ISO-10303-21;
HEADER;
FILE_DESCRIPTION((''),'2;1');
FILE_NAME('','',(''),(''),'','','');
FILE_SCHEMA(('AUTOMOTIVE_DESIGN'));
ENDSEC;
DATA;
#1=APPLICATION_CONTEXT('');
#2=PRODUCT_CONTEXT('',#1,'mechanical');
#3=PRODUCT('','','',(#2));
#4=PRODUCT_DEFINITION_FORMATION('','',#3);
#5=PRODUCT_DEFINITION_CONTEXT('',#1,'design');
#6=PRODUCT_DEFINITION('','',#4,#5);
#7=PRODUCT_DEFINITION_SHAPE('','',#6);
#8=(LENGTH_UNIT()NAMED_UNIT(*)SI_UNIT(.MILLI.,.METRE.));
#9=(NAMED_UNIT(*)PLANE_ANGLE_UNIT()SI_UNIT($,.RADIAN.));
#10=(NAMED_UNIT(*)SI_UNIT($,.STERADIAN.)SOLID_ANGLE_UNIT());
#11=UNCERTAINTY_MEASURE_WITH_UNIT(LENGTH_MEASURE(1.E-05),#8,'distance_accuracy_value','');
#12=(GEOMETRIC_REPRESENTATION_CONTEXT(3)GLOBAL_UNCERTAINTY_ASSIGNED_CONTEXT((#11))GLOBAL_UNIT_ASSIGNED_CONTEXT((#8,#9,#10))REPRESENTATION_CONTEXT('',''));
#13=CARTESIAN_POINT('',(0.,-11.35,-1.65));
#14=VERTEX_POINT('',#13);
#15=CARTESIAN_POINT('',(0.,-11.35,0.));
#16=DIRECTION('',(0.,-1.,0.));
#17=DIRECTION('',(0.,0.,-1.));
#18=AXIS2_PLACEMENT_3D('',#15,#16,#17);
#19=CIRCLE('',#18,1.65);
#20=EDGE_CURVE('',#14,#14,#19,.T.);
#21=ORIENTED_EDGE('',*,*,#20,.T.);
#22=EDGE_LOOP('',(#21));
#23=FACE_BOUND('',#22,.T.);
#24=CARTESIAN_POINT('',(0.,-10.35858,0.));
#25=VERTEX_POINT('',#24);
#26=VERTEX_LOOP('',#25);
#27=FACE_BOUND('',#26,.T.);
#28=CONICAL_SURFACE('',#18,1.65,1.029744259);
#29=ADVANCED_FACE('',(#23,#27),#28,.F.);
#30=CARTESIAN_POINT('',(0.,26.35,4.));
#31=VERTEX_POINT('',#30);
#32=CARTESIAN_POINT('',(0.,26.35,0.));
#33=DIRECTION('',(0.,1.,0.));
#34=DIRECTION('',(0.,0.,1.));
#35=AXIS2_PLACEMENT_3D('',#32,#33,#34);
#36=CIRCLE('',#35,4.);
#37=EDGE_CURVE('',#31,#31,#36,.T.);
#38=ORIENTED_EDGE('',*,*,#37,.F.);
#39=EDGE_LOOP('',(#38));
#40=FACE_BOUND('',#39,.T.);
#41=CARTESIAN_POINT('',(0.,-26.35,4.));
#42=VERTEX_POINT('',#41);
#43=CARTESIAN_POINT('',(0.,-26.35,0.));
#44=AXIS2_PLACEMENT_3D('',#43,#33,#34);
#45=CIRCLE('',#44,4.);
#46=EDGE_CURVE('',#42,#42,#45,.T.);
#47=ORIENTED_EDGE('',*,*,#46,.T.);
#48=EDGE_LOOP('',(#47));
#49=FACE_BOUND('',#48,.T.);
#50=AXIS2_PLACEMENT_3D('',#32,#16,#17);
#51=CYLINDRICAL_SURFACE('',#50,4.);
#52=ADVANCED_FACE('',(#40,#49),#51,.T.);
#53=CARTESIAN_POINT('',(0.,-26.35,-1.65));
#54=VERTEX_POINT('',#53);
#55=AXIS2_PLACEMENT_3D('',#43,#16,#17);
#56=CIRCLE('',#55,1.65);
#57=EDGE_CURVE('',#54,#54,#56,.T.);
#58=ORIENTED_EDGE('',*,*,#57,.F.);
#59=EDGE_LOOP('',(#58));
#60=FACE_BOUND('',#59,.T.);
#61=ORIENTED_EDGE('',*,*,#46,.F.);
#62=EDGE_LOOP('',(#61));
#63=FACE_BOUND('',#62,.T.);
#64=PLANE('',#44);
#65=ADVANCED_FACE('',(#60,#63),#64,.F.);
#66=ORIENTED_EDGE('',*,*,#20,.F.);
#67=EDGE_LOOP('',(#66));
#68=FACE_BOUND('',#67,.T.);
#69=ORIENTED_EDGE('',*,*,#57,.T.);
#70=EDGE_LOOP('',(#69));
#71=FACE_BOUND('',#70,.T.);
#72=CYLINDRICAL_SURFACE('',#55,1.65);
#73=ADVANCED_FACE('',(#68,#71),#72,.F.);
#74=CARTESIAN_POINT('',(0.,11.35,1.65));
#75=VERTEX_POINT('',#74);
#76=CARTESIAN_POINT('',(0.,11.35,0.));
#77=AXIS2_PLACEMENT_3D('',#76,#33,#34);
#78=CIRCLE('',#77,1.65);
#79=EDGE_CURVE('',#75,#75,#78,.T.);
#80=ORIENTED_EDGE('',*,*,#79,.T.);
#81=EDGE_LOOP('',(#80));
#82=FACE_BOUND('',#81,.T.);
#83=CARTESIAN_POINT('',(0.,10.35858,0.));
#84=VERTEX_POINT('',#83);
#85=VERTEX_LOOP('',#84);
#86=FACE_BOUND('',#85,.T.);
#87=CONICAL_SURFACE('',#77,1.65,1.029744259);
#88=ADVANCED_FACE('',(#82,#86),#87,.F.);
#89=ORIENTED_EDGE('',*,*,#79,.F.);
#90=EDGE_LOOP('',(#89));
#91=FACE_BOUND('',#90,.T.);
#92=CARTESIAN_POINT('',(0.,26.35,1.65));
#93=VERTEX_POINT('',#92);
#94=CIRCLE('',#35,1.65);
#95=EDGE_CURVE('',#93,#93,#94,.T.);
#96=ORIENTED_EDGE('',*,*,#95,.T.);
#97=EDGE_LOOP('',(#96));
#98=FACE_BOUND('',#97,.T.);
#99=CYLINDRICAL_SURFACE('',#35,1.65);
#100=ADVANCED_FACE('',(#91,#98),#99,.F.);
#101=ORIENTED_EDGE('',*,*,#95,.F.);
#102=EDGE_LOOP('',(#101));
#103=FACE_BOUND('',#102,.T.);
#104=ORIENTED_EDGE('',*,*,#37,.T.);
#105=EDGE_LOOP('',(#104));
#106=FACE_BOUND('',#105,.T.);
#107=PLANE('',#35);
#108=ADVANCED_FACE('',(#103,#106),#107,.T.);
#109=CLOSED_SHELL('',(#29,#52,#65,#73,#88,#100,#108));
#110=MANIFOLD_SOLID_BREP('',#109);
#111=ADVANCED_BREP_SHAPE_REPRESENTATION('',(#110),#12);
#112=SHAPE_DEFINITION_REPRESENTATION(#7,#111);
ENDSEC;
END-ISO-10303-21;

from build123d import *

# Parameters (mm, degrees)
SKETCH1_R                 = 4
BOSS_EXTRUDE1_DEPTH       = 26.35
M4X0_7_TAPPED_HOLE1_D     = 3.3
M4X0_7_TAPPED_HOLE1_DEPTH = 15
M4X0_7_TAPPED_HOLE1_TIP   = 0.991420021
M4X0_7_TAPPED_HOLE2_D     = 3.3
M4X0_7_TAPPED_HOLE2_DEPTH = 15
M4X0_7_TAPPED_HOLE2_TIP   = 0.991420021


with BuildPart() as part:
    # Sketch1 → Boss-Extrude1 (new body, symmetric)
    with BuildSketch(Plane(origin=(0, 0, 0), x_dir=(1, 0, 0), z_dir=(0, 1, 0))):
        Circle(SKETCH1_R)
    extrude(amount=BOSS_EXTRUDE1_DEPTH, both=True)

    # M4x0.7 Tapped Hole1
    with Locations(Plane(origin=(0, 26.35, 0), x_dir=(1, 0, 0), z_dir=(0, 1, 0))):
        with Locations((0, 0)):
            Hole(M4X0_7_TAPPED_HOLE1_D / 2, depth=M4X0_7_TAPPED_HOLE1_DEPTH)
            with Locations((0, 0, -(M4X0_7_TAPPED_HOLE1_DEPTH + M4X0_7_TAPPED_HOLE1_TIP / 2))):  # 118° drill point
                Cone(0, M4X0_7_TAPPED_HOLE1_D / 2, M4X0_7_TAPPED_HOLE1_TIP, mode=Mode.SUBTRACT)

    # M4x0.7 Tapped Hole2
    with Locations(Plane(origin=(0, -26.35, 0), x_dir=(-1, 0, 0), z_dir=(0, -1, 0))):
        with Locations((0, 0)):
            Hole(M4X0_7_TAPPED_HOLE2_D / 2, depth=M4X0_7_TAPPED_HOLE2_DEPTH)
            with Locations((0, 0, -(M4X0_7_TAPPED_HOLE2_DEPTH + M4X0_7_TAPPED_HOLE2_TIP / 2))):  # 118° drill point
                Cone(0, M4X0_7_TAPPED_HOLE2_D / 2, M4X0_7_TAPPED_HOLE2_TIP, mode=Mode.SUBTRACT)


solid = part.part
